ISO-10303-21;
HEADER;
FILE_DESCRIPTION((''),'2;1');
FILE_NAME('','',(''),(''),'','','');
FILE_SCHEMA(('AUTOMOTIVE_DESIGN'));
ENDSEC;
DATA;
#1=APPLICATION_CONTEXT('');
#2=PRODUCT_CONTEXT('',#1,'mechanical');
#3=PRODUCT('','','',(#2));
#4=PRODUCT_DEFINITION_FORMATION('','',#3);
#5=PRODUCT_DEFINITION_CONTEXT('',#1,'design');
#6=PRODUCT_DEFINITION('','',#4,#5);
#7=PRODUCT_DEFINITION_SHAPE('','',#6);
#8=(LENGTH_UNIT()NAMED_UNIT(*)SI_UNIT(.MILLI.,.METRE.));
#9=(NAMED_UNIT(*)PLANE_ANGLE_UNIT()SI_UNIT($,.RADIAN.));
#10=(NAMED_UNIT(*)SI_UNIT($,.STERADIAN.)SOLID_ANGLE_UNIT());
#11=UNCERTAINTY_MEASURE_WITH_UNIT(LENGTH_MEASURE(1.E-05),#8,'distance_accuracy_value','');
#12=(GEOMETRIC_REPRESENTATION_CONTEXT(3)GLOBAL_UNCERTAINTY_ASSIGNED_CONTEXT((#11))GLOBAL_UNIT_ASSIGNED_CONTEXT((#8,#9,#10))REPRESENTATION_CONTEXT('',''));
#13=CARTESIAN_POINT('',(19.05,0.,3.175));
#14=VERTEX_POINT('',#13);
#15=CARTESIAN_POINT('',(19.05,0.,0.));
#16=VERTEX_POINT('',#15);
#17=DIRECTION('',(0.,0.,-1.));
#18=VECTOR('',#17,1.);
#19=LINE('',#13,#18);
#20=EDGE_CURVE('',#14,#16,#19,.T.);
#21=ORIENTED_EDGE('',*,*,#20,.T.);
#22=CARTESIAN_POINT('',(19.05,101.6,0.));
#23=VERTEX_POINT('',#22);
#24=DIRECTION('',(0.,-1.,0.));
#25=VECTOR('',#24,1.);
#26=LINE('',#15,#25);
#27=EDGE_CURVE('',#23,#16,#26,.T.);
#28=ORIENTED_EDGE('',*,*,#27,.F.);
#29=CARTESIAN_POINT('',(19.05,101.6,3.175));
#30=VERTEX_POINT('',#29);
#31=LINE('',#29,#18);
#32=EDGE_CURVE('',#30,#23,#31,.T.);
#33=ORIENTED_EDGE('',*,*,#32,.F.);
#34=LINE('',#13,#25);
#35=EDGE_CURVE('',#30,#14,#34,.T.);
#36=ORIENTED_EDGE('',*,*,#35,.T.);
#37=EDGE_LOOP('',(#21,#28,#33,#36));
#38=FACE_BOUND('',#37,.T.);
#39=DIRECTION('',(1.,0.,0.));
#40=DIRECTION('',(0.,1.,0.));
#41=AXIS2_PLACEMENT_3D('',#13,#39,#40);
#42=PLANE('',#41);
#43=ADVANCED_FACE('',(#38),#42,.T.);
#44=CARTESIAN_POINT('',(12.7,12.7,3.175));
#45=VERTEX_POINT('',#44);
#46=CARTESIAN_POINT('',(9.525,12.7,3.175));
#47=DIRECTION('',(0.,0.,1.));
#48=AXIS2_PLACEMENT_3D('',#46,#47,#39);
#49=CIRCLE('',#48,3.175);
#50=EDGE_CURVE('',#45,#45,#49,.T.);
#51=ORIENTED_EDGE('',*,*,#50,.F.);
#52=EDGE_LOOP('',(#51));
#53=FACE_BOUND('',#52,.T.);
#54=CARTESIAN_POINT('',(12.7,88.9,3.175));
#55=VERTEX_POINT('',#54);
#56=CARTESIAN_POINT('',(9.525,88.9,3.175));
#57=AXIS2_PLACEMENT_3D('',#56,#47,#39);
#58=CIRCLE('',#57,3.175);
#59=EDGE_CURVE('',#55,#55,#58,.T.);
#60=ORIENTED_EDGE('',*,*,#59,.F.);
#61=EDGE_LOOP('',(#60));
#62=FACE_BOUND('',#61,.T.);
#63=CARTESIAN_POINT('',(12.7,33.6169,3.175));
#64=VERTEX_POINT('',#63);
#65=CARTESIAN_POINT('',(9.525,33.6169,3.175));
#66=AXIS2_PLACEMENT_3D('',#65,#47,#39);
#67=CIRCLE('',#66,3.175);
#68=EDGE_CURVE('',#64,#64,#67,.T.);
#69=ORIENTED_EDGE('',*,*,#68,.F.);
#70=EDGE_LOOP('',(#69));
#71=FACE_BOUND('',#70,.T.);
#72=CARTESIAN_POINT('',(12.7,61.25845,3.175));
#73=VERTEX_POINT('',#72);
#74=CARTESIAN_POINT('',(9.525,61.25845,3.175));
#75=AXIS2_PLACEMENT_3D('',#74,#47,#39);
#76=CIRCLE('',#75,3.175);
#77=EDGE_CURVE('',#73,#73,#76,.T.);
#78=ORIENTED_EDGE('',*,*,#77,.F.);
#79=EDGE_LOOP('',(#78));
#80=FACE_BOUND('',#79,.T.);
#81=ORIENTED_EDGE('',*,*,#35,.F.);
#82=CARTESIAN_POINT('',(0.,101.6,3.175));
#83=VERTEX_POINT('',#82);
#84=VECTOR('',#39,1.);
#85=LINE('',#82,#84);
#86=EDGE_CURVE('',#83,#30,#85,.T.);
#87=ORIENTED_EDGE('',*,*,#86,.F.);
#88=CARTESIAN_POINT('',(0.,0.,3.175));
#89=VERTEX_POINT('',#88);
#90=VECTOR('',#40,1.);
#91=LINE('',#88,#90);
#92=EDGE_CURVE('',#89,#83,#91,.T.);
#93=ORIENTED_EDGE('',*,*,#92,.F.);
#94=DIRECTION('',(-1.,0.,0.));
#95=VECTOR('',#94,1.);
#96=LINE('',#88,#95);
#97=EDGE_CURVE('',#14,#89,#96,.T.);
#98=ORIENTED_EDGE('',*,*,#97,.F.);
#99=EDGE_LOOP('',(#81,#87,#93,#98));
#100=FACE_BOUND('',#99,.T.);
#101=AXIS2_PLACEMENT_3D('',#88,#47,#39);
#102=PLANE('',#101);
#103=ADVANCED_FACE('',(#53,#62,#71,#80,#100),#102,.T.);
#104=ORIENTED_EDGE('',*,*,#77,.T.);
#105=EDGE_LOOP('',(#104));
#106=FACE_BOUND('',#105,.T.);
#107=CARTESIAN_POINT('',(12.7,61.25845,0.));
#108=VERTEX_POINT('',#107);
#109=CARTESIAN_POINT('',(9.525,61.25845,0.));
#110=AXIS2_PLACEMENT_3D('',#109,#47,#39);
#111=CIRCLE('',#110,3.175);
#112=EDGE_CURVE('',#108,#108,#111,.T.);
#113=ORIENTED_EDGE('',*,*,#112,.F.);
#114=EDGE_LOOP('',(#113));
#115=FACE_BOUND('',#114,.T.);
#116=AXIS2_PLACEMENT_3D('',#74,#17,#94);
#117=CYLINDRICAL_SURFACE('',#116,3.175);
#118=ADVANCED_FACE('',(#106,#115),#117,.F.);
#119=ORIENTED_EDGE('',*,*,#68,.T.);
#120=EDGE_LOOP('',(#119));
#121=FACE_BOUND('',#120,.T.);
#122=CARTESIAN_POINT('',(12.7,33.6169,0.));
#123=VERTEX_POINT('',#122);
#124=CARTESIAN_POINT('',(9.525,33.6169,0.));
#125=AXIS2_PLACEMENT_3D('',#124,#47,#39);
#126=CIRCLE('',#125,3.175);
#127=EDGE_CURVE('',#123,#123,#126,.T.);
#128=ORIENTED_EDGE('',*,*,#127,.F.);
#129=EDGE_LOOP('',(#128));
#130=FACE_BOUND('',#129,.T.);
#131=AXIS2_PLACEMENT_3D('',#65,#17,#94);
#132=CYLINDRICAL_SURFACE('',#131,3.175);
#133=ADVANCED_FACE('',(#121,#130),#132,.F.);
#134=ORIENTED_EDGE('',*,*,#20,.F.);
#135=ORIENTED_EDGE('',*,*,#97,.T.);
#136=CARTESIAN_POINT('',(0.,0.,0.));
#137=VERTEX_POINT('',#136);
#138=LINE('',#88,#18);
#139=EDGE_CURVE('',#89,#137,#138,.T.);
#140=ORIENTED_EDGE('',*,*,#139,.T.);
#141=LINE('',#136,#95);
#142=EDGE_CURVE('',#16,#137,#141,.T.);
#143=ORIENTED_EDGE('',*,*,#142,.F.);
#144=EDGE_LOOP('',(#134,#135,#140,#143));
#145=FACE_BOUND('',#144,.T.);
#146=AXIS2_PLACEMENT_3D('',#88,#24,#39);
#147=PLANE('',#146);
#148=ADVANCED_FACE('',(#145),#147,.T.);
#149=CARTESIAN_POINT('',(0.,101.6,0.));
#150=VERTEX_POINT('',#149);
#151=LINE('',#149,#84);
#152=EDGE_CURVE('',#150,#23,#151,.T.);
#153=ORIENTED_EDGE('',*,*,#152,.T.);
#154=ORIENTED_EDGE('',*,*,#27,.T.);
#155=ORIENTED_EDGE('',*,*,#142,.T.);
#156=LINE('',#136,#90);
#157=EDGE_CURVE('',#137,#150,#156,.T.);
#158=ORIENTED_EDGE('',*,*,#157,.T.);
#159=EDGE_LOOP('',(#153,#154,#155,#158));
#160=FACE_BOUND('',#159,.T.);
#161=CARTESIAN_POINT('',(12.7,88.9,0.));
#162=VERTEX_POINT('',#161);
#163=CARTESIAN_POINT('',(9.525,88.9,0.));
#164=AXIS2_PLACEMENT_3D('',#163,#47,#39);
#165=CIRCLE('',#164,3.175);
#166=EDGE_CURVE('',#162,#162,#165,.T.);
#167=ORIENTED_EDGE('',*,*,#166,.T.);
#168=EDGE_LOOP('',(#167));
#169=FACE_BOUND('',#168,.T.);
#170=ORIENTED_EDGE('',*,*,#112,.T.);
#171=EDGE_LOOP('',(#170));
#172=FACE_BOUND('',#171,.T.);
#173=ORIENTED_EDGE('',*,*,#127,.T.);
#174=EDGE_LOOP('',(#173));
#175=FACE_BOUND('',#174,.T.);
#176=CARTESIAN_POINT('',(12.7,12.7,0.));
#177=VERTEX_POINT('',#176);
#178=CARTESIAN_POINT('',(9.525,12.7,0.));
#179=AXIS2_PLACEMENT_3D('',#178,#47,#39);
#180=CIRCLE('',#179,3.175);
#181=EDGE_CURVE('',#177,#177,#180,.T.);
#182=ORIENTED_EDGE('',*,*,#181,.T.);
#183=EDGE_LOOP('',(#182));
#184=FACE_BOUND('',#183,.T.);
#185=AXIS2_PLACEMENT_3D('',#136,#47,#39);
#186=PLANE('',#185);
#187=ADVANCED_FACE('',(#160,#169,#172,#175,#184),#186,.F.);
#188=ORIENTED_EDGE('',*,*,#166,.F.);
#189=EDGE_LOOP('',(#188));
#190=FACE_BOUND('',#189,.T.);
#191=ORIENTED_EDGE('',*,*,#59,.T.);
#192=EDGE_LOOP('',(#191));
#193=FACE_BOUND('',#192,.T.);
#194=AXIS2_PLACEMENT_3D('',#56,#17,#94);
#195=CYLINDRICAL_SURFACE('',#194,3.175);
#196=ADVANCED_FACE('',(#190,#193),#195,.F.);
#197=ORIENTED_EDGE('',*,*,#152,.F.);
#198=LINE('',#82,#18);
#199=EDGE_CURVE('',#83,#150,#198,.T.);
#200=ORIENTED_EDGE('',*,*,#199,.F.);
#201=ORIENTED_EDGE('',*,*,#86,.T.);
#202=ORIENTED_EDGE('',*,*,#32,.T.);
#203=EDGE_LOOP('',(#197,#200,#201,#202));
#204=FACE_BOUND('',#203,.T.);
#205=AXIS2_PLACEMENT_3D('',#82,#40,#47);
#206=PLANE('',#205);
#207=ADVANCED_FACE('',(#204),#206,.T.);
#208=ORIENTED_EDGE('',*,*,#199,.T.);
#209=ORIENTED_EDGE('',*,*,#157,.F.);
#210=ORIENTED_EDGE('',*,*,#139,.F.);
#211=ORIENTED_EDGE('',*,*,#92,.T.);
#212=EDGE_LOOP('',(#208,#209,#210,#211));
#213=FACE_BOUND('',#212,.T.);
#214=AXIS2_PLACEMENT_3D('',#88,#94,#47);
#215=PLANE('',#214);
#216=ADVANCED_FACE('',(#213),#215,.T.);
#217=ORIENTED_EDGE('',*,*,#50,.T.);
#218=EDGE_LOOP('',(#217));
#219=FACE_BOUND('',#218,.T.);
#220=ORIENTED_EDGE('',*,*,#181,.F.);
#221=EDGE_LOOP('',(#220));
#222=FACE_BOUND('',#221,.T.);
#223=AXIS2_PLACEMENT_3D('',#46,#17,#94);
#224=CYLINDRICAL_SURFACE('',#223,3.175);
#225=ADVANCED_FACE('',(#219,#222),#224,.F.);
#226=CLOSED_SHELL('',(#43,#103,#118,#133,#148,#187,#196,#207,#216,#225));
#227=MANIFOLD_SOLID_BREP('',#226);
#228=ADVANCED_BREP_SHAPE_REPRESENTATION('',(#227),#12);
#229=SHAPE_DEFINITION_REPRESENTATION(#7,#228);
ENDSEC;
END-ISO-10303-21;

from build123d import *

# Parameters (mm, degrees)
SKETCH1_W           = 19.05
SKETCH1_H           = 101.6
SKETCH1_R           = 3.175
BOSS_EXTRUDE1_DEPTH = 3.175


with BuildPart() as part:
    # Sketch1 → Boss-Extrude1 (new body)
    with BuildSketch(Plane.XY):
        with Locations((9.525, 50.8)):
            Rectangle(SKETCH1_W, SKETCH1_H)
        with Locations((9.525, 88.9)):
            Circle(SKETCH1_R, mode=Mode.SUBTRACT)
        with Locations((9.525, 33.6169)):
            Circle(SKETCH1_R, mode=Mode.SUBTRACT)
        with Locations((9.525, 61.25845)):
            Circle(SKETCH1_R, mode=Mode.SUBTRACT)
        with Locations((9.525, 12.7)):
            Circle(SKETCH1_R, mode=Mode.SUBTRACT)
    extrude(amount=BOSS_EXTRUDE1_DEPTH)


solid = part.part
